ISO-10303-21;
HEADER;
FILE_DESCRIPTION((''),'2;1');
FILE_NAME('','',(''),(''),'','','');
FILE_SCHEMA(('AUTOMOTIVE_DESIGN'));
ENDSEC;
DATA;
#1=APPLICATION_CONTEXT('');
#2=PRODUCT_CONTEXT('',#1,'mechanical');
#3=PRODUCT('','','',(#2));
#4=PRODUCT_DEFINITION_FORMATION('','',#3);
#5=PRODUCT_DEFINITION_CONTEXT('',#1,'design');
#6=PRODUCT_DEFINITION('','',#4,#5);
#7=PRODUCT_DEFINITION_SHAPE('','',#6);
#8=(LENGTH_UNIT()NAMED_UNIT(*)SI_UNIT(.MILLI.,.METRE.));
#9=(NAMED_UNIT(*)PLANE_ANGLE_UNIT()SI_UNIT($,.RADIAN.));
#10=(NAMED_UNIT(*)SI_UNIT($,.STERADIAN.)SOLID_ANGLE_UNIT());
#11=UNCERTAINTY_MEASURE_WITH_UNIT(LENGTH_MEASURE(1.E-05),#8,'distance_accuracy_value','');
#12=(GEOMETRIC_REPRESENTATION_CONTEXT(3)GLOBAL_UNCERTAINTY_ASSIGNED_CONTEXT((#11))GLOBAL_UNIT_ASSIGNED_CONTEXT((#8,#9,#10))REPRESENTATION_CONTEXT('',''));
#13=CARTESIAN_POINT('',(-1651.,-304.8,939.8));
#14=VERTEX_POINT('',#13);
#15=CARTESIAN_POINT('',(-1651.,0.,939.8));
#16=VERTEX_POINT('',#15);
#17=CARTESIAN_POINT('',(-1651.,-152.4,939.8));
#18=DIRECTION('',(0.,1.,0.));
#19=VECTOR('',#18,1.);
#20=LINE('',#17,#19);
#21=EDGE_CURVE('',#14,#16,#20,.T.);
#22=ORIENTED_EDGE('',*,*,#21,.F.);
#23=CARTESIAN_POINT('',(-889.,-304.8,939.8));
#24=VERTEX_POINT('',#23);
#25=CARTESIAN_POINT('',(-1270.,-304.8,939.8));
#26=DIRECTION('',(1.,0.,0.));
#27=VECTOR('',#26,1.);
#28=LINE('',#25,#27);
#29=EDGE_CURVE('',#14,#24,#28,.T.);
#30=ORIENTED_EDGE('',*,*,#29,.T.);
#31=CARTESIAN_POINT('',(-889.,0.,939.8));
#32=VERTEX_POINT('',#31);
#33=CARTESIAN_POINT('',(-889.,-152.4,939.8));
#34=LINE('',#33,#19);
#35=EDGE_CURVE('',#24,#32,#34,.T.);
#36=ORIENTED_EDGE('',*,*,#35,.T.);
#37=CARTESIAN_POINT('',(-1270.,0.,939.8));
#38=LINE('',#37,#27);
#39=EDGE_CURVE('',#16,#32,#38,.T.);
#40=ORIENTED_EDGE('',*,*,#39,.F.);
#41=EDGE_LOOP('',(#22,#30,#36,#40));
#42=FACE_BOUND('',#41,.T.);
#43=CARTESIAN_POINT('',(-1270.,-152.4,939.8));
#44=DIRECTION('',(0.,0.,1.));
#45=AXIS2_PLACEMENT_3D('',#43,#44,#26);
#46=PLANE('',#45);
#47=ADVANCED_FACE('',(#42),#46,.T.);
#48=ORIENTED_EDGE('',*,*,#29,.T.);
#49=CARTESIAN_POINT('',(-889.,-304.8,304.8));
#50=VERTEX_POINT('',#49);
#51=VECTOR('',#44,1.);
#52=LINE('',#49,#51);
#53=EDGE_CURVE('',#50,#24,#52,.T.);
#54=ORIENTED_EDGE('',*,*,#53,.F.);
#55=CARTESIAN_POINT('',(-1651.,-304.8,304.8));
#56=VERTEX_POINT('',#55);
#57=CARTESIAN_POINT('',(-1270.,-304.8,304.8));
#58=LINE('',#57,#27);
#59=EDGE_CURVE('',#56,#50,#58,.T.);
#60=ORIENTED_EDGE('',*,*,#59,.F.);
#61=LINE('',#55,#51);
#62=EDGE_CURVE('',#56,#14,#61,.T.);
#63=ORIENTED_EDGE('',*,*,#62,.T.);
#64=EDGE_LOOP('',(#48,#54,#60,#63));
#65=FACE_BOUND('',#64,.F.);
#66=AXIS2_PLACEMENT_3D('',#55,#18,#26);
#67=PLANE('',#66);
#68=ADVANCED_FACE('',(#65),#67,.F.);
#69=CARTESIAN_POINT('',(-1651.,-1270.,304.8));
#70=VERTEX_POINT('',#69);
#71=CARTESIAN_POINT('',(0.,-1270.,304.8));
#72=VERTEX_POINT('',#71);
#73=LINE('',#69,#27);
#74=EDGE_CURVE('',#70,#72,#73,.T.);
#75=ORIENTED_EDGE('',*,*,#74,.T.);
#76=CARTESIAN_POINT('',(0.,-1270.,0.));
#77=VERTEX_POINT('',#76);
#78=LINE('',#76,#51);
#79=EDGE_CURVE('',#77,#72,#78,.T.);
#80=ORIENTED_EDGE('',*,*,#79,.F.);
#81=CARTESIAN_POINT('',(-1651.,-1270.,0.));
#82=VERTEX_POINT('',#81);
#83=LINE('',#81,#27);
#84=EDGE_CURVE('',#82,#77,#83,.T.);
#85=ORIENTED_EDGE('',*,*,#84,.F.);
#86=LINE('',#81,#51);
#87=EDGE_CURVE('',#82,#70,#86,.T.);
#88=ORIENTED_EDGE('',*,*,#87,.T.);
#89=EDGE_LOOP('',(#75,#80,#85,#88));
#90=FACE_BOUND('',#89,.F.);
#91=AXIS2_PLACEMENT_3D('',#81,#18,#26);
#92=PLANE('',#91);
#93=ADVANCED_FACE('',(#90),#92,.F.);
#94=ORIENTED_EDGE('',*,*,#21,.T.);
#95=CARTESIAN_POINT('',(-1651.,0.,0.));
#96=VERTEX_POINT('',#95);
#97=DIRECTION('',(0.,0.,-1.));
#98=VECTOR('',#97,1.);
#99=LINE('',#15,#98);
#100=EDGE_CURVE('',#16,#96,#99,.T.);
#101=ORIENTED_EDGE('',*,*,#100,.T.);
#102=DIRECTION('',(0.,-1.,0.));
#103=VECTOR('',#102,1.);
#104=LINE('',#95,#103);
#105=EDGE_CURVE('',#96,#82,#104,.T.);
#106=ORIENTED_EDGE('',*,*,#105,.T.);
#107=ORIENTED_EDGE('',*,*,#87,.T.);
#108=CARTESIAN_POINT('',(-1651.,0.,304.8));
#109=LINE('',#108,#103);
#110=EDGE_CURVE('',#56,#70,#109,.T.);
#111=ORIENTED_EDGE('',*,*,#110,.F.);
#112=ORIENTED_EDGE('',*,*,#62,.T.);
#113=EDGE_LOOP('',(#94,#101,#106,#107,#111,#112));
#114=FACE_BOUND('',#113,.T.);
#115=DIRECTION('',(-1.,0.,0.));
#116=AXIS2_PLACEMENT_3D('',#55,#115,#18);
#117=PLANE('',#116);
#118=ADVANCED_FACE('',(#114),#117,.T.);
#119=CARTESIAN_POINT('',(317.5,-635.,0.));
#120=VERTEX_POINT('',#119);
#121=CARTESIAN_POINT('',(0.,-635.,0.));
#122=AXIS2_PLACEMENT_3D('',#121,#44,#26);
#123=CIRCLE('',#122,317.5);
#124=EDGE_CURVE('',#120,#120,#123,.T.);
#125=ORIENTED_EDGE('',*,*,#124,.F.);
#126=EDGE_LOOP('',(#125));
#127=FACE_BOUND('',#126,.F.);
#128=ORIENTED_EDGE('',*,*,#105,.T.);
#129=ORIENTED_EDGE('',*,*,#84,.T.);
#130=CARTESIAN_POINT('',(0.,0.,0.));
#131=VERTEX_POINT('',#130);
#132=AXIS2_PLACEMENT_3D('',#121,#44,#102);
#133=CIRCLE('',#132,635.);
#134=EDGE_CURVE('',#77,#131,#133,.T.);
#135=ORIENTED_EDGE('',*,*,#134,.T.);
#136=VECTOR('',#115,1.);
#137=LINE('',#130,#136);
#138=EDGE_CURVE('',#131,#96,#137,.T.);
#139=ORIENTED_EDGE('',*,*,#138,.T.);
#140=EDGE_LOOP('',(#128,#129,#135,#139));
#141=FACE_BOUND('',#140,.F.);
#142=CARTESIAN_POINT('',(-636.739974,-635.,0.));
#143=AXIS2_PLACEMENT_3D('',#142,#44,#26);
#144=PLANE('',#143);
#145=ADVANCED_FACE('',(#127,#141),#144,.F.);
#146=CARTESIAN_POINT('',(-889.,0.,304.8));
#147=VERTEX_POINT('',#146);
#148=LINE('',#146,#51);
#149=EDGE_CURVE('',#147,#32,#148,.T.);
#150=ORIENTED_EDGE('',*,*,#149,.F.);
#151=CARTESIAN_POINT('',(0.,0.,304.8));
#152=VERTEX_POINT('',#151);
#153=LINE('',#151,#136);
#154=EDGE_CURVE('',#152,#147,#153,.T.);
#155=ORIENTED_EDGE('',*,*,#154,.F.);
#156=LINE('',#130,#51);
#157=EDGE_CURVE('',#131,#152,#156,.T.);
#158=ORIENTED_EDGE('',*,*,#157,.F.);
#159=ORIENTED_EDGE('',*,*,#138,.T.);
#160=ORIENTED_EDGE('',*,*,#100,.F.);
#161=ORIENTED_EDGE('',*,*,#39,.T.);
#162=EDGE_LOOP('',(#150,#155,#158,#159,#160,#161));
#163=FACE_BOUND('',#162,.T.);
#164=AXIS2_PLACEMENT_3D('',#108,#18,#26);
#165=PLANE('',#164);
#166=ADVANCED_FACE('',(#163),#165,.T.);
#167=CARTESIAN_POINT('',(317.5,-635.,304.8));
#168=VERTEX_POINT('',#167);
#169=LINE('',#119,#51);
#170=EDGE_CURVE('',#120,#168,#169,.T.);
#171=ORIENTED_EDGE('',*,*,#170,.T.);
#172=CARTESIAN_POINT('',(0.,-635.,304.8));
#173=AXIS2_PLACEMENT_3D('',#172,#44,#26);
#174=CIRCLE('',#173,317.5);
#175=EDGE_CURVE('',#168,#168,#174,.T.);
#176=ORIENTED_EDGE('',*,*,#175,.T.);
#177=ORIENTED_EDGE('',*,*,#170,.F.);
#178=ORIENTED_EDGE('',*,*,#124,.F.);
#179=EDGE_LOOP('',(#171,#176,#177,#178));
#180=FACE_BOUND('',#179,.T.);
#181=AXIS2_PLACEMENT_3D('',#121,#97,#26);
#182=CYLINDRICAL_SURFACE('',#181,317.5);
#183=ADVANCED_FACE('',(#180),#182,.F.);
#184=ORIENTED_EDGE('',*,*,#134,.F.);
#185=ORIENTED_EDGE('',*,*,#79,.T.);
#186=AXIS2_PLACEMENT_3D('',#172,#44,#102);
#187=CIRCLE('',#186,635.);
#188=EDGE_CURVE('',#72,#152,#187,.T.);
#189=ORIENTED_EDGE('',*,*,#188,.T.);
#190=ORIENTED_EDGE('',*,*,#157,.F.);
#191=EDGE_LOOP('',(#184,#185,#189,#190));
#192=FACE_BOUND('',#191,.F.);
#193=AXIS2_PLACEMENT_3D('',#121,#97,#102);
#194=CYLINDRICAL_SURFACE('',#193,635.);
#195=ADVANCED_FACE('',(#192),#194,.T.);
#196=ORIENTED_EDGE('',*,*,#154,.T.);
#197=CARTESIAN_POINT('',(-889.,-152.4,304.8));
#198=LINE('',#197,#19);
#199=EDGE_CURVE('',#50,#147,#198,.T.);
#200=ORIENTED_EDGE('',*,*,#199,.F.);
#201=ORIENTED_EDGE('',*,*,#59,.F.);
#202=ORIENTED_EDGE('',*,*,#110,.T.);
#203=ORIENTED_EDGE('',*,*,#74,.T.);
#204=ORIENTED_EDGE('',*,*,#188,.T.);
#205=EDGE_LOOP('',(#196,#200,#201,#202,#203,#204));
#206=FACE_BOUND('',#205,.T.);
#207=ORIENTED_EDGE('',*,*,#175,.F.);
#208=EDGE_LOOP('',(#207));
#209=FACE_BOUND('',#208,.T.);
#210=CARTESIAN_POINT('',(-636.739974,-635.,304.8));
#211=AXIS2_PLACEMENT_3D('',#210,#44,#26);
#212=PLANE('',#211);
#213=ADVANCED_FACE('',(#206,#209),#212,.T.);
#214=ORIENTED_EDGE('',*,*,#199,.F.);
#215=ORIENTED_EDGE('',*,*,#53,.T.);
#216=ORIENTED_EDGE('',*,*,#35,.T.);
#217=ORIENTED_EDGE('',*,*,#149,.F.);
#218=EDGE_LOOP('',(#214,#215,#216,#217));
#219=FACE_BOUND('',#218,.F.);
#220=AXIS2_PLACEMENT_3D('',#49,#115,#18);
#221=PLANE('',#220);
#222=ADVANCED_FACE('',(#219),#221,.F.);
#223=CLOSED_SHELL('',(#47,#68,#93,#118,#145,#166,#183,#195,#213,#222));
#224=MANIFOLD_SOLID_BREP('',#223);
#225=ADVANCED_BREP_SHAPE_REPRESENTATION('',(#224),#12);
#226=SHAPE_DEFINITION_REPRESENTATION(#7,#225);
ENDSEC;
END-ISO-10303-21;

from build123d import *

# Parameters (mm, degrees)
F0_R     = 317.5
F1_DEPTH = 304.8
F2_W     = 762
F2_H     = 304.8
F3_DEPTH = 635


with BuildPart() as f1:
    # F0 (on Top) → F1 (new body)
    with BuildSketch(Plane.XY):
        with BuildLine():
            ThreePointArc((0, -1270), (635, -635), (0, 0))
            Line((0, 0), (-1651, 0))
            Line((-1651, 0), (-1651, -1270))
            Line((-1651, -1270), (0, -1270))
        make_face()
        with Locations((0, -635)):
            Circle(F0_R, mode=Mode.SUBTRACT)
    extrude(amount=F1_DEPTH)

    # F2 (on face) → F3 (join)
    with BuildSketch(Plane.XY.offset(304.8)):
        with Locations((-1270, -152.4)):
            Rectangle(F2_W, F2_H)
    extrude(amount=F3_DEPTH)


solid = f1.part
